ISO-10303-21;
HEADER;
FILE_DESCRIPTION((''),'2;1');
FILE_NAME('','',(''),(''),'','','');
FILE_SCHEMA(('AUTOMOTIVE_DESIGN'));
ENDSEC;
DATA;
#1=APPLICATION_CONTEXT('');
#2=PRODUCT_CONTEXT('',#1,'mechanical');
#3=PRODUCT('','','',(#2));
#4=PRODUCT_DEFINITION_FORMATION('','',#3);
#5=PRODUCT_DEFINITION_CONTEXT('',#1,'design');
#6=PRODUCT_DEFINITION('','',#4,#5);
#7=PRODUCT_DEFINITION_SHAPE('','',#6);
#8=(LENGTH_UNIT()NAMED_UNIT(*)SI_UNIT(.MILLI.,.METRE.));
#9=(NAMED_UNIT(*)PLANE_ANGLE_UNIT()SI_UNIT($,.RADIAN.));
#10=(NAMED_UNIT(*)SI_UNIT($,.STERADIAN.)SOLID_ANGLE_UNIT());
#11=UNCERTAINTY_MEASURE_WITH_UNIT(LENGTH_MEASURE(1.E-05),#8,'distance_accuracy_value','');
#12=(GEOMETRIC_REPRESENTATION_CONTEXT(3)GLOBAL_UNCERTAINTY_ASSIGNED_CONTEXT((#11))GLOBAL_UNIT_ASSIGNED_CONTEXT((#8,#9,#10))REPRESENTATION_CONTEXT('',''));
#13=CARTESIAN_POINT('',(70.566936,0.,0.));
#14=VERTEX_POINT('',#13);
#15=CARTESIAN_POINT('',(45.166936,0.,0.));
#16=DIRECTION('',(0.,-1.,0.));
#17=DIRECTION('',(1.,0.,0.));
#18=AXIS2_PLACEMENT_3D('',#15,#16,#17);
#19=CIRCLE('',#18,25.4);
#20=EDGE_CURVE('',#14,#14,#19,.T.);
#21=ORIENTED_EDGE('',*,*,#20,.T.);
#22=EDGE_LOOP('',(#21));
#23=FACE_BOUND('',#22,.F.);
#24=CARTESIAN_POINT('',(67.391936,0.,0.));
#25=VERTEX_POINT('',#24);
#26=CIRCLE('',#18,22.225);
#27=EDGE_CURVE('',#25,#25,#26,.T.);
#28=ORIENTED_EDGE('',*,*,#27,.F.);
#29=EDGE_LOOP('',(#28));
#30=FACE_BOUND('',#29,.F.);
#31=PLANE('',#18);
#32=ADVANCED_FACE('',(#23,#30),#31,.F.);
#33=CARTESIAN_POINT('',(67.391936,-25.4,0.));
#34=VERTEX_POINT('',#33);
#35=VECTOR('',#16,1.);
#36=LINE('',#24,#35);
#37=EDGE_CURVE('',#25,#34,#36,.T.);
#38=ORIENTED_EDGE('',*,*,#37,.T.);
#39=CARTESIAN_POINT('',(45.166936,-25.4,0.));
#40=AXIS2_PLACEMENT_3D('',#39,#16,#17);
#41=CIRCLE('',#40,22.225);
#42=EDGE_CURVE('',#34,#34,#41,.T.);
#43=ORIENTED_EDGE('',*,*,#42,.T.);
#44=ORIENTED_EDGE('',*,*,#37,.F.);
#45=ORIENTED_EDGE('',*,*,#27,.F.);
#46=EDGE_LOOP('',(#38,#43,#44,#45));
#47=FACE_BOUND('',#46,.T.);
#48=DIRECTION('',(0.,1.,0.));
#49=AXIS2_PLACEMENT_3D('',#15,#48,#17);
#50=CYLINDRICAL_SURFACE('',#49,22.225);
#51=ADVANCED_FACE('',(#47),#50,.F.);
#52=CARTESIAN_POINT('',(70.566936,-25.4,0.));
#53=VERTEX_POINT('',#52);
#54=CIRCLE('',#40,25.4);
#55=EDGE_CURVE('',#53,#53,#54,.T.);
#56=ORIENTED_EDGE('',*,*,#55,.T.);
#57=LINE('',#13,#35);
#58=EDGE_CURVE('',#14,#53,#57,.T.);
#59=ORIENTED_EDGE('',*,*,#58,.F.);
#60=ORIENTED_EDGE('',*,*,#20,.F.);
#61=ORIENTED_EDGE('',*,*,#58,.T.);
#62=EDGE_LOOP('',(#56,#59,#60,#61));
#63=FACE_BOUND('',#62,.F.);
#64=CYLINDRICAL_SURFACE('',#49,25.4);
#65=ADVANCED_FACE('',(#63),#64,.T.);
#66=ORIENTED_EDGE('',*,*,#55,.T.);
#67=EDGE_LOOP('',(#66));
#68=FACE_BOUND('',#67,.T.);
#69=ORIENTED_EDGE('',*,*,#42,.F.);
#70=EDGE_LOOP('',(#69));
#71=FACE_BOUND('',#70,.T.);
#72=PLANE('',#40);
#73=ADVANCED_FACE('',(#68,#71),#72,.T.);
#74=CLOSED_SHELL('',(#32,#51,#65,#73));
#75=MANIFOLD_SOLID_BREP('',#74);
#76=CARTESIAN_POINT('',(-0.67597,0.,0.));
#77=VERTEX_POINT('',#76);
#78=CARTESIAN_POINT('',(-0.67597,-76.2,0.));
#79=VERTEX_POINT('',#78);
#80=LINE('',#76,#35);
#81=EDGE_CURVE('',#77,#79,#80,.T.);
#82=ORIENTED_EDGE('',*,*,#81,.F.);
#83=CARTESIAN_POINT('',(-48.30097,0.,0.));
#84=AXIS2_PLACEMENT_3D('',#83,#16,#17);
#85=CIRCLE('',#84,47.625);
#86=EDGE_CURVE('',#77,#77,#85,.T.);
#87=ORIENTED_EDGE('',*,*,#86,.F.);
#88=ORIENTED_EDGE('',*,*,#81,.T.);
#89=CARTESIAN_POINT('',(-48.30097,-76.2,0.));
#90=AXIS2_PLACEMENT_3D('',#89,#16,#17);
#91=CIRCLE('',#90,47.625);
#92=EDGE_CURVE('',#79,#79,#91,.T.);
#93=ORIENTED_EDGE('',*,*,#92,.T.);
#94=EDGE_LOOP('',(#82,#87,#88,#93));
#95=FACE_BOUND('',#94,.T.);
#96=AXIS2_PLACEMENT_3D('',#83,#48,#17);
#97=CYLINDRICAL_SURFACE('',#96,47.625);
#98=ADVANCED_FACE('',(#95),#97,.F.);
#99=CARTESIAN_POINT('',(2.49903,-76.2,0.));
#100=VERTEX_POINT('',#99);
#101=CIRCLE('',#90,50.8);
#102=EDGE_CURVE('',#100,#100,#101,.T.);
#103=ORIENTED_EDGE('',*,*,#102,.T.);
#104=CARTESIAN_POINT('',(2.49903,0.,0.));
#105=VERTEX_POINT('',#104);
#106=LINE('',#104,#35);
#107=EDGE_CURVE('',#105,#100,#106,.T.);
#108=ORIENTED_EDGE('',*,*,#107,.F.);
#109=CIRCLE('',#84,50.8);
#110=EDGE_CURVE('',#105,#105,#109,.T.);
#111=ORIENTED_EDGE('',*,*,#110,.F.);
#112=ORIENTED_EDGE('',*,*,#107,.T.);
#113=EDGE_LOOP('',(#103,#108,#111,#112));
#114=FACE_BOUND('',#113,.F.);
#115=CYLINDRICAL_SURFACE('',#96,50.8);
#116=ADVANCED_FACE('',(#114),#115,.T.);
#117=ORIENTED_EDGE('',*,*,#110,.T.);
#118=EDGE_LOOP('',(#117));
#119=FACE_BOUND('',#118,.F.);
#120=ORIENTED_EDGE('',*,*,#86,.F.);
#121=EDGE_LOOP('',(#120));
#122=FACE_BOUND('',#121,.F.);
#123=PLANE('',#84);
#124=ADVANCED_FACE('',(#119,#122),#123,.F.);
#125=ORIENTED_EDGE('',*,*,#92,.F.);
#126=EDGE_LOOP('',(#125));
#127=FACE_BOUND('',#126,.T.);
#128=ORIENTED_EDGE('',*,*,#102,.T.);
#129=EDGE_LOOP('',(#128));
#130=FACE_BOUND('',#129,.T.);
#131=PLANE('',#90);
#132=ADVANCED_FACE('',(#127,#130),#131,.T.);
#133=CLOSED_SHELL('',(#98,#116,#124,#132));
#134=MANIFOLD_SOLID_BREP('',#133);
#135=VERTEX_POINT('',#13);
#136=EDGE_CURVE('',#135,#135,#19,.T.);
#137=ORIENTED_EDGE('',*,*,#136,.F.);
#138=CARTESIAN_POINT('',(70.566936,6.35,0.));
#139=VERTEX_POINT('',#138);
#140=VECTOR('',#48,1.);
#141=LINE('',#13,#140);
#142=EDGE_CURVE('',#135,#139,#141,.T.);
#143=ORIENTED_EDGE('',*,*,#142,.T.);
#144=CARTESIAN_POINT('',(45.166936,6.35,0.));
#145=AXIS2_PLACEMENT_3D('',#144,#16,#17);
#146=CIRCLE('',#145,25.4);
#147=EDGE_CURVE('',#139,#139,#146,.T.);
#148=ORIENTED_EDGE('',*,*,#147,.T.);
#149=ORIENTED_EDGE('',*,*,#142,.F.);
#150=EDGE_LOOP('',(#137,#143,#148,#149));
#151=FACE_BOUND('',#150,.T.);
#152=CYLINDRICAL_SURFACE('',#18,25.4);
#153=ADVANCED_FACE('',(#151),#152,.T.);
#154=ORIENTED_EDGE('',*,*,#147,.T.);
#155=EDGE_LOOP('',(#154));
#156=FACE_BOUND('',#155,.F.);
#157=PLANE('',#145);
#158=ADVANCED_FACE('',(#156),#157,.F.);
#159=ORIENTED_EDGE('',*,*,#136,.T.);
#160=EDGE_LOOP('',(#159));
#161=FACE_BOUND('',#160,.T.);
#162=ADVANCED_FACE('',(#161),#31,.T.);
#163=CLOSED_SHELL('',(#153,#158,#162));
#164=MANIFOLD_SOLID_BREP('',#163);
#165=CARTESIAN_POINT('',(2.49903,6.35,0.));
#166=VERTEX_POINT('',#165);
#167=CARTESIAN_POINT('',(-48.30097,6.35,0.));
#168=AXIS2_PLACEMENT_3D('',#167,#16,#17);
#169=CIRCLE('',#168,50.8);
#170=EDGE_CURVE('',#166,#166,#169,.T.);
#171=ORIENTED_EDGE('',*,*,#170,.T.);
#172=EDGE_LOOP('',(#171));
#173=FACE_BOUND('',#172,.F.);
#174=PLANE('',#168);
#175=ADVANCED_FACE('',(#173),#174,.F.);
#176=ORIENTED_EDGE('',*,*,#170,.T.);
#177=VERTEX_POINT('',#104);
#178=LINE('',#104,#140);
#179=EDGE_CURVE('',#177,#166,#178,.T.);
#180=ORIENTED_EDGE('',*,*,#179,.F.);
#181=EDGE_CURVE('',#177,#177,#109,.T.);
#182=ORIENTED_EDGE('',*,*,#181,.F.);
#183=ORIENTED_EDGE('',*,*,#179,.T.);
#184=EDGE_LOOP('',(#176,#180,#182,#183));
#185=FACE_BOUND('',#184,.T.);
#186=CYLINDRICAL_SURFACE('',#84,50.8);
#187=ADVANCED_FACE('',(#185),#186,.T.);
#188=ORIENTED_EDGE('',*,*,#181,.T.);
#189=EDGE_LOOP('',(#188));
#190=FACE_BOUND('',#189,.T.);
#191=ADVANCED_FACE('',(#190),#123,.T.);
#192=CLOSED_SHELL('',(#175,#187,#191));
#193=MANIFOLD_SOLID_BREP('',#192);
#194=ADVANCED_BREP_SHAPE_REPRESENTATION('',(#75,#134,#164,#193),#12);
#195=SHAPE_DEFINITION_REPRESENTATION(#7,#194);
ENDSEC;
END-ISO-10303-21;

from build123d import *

# Parameters (mm, degrees)
F0_R     = 50.8
F0_R_2   = 47.625
F1_DEPTH = 6.35
F0_R_3   = 25.4
F0_R_4   = 22.225
F2_DEPTH = 76.2
F3_DEPTH = 25.4


with BuildPart() as f1:
    # F0 (on Front) → F1 (new body)
    with BuildSketch(Plane.XZ):
        with Locations((-48.3009703457, 0)):
            Circle(F0_R)
        with Locations((-48.3009703457, 0)):
            Circle(F0_R_2, mode=Mode.SUBTRACT)
        with Locations((-48.3009703457, 0)):
            Circle(F0_R_2)
    extrude(amount=-F1_DEPTH)


with BuildPart() as f1b:
    # F0 (on Front) → F1, piece 2 (new body)
    with BuildSketch(Plane.XZ):
        with Locations((45.1669357717, 0)):
            Circle(F0_R_3)
        with Locations((45.1669357717, 0)):
            Circle(F0_R_4, mode=Mode.SUBTRACT)
        with Locations((45.1669357717, 0)):
            Circle(F0_R_4)
    extrude(amount=-F1_DEPTH)


with BuildPart() as f2:
    # F0 (on Front) → F2 (new body)
    with BuildSketch(Plane.XZ):
        with Locations((-48.3009703457, 0)):
            Circle(F0_R)
        with Locations((-48.3009703457, 0)):
            Circle(F0_R_2, mode=Mode.SUBTRACT)
    extrude(amount=F2_DEPTH)


with BuildPart() as f3:
    # F0 (on Front) → F3 (new body)
    with BuildSketch(Plane.XZ):
        with Locations((45.1669357717, 0)):
            Circle(F0_R_3)
        with Locations((45.1669357717, 0)):
            Circle(F0_R_4, mode=Mode.SUBTRACT)
    extrude(amount=F3_DEPTH)


solid = Compound([f1.part, f1b.part, f2.part, f3.part])
